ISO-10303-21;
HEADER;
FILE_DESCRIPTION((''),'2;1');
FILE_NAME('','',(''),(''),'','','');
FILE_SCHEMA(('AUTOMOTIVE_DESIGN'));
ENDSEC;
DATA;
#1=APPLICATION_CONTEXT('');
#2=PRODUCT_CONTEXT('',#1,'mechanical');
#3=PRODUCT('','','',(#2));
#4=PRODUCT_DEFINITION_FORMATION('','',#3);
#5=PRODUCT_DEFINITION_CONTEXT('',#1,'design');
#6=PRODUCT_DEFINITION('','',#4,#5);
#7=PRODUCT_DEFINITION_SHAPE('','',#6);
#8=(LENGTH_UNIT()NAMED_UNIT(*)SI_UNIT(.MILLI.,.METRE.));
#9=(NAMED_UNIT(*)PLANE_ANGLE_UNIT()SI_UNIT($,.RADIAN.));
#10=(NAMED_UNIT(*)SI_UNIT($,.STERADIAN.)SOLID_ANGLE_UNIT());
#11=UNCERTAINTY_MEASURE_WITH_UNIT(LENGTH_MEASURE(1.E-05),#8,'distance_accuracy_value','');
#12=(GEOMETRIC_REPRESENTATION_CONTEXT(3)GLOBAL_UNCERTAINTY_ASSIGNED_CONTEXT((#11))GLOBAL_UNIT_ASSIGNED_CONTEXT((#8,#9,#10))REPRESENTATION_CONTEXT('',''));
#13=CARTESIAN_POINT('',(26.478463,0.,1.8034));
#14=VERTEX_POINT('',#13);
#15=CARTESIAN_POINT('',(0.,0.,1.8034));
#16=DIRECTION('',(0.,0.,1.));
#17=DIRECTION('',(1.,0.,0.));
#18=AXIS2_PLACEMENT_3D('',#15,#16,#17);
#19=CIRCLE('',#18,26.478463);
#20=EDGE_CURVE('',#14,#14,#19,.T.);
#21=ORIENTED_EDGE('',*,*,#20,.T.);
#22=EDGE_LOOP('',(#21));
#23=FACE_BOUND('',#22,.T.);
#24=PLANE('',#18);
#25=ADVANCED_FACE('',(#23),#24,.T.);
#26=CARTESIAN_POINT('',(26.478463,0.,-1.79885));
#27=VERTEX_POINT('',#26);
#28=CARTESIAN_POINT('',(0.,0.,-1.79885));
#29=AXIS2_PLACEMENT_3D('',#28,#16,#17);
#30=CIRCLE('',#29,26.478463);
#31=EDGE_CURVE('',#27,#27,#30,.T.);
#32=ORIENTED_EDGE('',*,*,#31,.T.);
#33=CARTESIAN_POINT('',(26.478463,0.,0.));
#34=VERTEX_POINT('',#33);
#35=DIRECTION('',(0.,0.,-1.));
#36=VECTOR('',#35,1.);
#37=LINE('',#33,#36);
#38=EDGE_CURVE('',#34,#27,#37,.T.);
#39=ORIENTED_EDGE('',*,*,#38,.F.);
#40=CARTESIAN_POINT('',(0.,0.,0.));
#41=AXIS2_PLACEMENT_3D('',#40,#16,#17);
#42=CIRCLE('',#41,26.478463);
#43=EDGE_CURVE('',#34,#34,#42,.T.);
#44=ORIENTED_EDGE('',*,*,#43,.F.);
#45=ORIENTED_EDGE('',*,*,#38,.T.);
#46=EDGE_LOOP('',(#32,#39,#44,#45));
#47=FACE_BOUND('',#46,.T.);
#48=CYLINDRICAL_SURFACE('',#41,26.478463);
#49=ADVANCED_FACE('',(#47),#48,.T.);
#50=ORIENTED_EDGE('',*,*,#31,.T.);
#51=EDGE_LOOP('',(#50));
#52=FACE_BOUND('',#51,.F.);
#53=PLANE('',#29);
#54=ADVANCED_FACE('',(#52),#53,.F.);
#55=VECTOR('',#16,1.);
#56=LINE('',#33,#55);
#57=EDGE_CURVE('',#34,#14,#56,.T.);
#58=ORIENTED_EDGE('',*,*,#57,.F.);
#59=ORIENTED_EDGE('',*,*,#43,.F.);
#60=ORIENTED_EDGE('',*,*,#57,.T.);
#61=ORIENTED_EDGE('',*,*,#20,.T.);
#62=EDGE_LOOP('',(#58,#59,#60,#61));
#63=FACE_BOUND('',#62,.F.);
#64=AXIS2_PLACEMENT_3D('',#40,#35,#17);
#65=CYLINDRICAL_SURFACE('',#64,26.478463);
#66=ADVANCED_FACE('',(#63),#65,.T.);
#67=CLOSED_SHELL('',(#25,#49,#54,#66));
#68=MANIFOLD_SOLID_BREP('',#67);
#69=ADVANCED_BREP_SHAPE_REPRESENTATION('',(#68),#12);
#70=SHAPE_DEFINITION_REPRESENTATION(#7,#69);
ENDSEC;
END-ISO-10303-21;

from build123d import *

# Parameters (mm, degrees)
F0_R          = 26.4784634716
F1_DEPTH      = 1.7988495529
F1_DEPTH_BACK = 1.8034


with BuildPart() as f1:
    # F0 (on Top) → F1 (new body, two sides)
    with BuildSketch(Plane.XY) as f1_sk:
        Circle(F0_R)
    extrude(amount=-F1_DEPTH)
    extrude(f1_sk.sketch, amount=F1_DEPTH_BACK)


solid = f1.part
